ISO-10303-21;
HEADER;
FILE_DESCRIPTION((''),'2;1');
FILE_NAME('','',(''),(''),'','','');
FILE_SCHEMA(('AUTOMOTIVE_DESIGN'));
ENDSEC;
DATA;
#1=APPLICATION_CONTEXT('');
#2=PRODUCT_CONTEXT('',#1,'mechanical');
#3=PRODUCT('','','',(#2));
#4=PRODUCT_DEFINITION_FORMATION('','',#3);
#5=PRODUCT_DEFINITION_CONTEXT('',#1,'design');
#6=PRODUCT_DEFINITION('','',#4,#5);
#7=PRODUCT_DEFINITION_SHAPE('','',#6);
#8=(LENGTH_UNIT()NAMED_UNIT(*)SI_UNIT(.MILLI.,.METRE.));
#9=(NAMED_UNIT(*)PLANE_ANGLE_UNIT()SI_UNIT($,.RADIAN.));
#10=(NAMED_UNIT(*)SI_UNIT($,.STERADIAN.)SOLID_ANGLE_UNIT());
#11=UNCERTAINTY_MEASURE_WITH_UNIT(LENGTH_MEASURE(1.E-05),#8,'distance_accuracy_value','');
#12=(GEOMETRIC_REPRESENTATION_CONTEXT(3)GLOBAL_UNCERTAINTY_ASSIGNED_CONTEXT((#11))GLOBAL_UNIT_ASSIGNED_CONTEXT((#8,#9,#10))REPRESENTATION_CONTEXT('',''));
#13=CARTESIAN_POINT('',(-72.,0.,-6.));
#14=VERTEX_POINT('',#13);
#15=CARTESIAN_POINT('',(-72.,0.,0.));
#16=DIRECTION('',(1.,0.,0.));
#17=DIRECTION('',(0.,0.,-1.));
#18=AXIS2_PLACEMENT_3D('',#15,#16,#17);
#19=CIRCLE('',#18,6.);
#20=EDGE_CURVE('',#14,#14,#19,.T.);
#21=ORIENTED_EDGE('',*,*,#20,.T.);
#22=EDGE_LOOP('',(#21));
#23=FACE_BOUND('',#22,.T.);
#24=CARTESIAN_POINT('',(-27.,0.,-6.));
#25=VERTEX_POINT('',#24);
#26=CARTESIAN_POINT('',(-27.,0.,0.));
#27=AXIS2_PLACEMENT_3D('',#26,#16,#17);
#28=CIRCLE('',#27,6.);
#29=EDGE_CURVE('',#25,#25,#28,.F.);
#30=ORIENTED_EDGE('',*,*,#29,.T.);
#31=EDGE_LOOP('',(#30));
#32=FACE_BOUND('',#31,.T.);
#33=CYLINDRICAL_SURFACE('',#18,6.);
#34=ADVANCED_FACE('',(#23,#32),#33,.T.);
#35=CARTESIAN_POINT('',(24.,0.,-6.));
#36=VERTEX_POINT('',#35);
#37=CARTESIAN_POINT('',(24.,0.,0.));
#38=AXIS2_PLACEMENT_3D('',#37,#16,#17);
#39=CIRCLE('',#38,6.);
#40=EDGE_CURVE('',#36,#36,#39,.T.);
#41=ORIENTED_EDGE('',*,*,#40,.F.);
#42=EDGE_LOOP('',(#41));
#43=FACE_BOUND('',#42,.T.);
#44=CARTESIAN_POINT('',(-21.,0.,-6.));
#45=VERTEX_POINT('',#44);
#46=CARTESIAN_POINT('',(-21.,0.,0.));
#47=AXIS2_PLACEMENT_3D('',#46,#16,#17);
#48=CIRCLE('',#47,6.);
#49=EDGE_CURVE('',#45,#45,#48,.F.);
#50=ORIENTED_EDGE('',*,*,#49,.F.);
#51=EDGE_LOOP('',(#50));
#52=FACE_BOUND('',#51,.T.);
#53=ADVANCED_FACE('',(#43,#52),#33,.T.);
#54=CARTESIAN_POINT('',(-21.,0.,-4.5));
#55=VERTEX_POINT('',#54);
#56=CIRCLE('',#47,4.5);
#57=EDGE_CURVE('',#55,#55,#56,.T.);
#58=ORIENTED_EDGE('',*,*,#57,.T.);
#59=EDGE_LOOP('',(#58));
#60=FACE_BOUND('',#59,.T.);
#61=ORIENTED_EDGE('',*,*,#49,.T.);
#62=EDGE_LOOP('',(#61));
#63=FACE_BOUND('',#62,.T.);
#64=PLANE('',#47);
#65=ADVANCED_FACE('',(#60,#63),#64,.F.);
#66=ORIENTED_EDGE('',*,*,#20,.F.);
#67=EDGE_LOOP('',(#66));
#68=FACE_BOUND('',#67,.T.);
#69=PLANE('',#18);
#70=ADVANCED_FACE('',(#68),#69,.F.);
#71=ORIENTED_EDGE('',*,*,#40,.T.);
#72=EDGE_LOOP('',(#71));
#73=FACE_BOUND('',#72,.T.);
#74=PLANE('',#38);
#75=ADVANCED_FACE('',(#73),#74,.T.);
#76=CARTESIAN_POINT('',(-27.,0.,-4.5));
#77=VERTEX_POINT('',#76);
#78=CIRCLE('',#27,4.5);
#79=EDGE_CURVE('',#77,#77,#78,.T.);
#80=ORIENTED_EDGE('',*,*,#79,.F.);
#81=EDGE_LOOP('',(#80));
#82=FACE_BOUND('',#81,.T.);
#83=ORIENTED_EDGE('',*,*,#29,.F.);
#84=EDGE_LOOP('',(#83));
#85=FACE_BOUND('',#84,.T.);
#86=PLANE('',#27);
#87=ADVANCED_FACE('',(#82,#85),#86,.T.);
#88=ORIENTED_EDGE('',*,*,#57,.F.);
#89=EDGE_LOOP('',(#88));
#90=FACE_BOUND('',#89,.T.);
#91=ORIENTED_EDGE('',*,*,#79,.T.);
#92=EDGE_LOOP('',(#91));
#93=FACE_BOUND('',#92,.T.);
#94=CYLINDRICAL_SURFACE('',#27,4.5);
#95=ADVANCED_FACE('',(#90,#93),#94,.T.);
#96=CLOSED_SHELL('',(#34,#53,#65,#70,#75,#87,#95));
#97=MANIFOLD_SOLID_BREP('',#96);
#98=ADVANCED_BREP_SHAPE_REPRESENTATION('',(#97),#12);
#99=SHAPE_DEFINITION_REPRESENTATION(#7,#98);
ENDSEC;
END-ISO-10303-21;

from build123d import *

# Parameters (mm, degrees)
SKETCH3_R           = 6
BOSS_EXTRUDE1_DEPTH = 96
SKETCH4_R           = 7.659234512
SKETCH4_R_2         = 4.5
CUT_EXTRUDE1_DEPTH  = 3


with BuildPart() as part:
    # Sketch3 → Boss-Extrude1 (new body)
    with BuildSketch(Plane(origin=(24, 0, 0), x_dir=(0, 0, -1), z_dir=(1, 0, 0))):
        Circle(SKETCH3_R)
    extrude(amount=-BOSS_EXTRUDE1_DEPTH)

    # Sketch4 → Cut-Extrude1 (cut, symmetric)
    with BuildSketch(Plane(origin=(-24, 0, 0), x_dir=(0, 0, -1), z_dir=(1, 0, 0))):
        Circle(SKETCH4_R)
        Circle(SKETCH4_R_2, mode=Mode.SUBTRACT)
    extrude(amount=CUT_EXTRUDE1_DEPTH, both=True, mode=Mode.SUBTRACT)


solid = part.part
